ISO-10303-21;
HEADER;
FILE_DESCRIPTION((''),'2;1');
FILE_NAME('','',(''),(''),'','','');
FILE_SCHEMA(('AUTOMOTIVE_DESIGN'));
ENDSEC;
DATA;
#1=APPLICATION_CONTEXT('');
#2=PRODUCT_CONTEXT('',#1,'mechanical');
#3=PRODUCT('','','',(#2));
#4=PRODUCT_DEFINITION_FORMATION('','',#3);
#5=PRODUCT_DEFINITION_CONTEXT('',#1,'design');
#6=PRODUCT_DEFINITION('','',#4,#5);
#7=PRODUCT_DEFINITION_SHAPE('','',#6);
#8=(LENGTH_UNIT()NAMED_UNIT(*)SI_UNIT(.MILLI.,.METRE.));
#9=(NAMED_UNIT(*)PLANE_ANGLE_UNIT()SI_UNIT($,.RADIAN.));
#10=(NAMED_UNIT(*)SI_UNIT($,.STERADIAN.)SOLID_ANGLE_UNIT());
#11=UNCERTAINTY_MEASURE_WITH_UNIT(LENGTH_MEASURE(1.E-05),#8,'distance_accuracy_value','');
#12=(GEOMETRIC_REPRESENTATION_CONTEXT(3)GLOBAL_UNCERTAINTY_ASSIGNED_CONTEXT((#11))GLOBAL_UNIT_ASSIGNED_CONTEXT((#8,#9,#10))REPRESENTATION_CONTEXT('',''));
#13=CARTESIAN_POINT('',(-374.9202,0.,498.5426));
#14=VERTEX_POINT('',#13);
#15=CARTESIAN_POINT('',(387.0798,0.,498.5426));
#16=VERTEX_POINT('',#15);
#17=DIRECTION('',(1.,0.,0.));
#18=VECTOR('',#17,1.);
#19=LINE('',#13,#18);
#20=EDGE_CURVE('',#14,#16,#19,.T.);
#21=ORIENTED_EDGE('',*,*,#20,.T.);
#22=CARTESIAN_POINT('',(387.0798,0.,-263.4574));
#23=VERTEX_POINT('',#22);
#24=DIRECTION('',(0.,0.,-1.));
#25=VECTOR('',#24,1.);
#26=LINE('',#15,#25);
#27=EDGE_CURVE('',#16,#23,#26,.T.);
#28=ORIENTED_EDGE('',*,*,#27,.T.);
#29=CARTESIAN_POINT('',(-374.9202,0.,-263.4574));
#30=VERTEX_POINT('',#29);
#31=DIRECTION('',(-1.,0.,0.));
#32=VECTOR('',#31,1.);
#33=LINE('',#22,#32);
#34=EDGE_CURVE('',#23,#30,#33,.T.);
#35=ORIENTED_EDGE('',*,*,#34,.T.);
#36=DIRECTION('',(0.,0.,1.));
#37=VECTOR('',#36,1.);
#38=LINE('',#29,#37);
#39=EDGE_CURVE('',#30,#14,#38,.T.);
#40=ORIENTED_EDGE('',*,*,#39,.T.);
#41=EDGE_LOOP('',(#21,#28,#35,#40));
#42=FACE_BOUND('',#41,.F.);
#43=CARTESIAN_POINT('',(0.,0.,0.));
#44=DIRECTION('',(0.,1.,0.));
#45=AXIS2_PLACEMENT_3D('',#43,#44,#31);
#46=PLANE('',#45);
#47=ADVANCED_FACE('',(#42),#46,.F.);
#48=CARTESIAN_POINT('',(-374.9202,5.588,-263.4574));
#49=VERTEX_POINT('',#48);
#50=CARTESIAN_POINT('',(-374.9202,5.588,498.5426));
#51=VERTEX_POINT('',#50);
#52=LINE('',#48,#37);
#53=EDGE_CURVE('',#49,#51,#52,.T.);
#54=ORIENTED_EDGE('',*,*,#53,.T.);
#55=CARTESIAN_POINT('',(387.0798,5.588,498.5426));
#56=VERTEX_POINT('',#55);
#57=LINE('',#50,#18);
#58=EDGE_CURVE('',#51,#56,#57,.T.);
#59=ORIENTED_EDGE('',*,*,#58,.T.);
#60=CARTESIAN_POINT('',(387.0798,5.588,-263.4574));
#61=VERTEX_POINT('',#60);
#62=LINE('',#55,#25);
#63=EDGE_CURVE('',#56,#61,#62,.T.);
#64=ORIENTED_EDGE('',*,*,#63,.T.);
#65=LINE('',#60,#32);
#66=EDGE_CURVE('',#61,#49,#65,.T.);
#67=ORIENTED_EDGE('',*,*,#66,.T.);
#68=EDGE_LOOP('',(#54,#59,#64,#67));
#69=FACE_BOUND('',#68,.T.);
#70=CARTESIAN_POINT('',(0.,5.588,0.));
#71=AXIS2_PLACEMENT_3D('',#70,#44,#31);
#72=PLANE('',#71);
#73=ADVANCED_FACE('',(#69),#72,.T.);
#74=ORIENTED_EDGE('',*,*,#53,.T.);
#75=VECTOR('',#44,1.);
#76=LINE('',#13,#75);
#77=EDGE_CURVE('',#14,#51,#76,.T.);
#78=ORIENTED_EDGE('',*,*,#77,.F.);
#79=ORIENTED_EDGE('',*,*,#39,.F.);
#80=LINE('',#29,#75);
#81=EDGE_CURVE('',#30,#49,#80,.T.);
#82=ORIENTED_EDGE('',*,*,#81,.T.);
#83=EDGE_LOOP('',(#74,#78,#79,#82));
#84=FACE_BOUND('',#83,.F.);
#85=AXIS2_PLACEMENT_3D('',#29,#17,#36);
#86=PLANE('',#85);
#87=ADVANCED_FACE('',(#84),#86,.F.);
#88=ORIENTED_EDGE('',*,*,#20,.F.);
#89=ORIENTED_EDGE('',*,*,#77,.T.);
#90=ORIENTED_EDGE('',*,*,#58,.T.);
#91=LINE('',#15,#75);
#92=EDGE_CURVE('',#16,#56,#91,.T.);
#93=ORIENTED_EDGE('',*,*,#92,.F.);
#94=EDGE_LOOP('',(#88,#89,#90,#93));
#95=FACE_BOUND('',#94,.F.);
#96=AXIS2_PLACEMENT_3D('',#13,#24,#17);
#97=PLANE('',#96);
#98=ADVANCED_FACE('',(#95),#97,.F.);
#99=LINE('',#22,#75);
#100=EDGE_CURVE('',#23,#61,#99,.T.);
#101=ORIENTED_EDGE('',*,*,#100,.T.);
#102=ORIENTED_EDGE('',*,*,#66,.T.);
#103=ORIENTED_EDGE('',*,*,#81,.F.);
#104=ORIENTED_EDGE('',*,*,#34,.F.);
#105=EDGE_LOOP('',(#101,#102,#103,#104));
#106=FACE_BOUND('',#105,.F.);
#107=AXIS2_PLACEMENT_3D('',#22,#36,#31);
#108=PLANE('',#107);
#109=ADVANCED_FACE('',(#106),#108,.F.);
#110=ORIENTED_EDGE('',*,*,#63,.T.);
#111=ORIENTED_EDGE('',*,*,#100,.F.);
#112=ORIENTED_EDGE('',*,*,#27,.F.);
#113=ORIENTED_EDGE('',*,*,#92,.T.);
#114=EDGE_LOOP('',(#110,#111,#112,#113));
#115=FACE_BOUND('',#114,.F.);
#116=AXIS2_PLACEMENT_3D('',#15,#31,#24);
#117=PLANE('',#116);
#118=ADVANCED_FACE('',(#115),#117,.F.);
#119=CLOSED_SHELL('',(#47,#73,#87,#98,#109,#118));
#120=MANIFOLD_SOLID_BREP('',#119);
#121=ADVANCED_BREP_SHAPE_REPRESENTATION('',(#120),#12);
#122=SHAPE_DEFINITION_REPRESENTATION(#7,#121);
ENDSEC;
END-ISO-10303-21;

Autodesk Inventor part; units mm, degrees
ref_plane "YZ Plane" through (0, 0, 0) normal (1, 0, 0) x (0, 1, 0)
ref_plane "XZ Plane" through (0, 0, 0) normal (0, 1, 0) x (-1, 0, 0)
ref_plane "XY Plane" through (0, 0, 0) normal (0, 0, 1) x (1, 0, 0)
sketch "Sketch1" plane through (0, 0, 0) normal (0, 1, 0) x (-1, 0, 0)
  line L0 (374.9202, 498.5426) -> (-387.0798, 498.5426)
  line L1 (-387.0798, 498.5426) -> (-387.0798, -263.4574)
  line L2 (-387.0798, -263.4574) -> (374.9202, -263.4574)
  line L3 (374.9202, -263.4574) -> (374.9202, 498.5426)
  point P0 (0, 0)
  dimension "d0" = 762
  dimension "d1" = 762
extrude "Extrusion1" add sketch "Sketch1" along normal blind 5.588
properties part number "30x30x.22in Lexan" material "Polycarbonate, Clear"
